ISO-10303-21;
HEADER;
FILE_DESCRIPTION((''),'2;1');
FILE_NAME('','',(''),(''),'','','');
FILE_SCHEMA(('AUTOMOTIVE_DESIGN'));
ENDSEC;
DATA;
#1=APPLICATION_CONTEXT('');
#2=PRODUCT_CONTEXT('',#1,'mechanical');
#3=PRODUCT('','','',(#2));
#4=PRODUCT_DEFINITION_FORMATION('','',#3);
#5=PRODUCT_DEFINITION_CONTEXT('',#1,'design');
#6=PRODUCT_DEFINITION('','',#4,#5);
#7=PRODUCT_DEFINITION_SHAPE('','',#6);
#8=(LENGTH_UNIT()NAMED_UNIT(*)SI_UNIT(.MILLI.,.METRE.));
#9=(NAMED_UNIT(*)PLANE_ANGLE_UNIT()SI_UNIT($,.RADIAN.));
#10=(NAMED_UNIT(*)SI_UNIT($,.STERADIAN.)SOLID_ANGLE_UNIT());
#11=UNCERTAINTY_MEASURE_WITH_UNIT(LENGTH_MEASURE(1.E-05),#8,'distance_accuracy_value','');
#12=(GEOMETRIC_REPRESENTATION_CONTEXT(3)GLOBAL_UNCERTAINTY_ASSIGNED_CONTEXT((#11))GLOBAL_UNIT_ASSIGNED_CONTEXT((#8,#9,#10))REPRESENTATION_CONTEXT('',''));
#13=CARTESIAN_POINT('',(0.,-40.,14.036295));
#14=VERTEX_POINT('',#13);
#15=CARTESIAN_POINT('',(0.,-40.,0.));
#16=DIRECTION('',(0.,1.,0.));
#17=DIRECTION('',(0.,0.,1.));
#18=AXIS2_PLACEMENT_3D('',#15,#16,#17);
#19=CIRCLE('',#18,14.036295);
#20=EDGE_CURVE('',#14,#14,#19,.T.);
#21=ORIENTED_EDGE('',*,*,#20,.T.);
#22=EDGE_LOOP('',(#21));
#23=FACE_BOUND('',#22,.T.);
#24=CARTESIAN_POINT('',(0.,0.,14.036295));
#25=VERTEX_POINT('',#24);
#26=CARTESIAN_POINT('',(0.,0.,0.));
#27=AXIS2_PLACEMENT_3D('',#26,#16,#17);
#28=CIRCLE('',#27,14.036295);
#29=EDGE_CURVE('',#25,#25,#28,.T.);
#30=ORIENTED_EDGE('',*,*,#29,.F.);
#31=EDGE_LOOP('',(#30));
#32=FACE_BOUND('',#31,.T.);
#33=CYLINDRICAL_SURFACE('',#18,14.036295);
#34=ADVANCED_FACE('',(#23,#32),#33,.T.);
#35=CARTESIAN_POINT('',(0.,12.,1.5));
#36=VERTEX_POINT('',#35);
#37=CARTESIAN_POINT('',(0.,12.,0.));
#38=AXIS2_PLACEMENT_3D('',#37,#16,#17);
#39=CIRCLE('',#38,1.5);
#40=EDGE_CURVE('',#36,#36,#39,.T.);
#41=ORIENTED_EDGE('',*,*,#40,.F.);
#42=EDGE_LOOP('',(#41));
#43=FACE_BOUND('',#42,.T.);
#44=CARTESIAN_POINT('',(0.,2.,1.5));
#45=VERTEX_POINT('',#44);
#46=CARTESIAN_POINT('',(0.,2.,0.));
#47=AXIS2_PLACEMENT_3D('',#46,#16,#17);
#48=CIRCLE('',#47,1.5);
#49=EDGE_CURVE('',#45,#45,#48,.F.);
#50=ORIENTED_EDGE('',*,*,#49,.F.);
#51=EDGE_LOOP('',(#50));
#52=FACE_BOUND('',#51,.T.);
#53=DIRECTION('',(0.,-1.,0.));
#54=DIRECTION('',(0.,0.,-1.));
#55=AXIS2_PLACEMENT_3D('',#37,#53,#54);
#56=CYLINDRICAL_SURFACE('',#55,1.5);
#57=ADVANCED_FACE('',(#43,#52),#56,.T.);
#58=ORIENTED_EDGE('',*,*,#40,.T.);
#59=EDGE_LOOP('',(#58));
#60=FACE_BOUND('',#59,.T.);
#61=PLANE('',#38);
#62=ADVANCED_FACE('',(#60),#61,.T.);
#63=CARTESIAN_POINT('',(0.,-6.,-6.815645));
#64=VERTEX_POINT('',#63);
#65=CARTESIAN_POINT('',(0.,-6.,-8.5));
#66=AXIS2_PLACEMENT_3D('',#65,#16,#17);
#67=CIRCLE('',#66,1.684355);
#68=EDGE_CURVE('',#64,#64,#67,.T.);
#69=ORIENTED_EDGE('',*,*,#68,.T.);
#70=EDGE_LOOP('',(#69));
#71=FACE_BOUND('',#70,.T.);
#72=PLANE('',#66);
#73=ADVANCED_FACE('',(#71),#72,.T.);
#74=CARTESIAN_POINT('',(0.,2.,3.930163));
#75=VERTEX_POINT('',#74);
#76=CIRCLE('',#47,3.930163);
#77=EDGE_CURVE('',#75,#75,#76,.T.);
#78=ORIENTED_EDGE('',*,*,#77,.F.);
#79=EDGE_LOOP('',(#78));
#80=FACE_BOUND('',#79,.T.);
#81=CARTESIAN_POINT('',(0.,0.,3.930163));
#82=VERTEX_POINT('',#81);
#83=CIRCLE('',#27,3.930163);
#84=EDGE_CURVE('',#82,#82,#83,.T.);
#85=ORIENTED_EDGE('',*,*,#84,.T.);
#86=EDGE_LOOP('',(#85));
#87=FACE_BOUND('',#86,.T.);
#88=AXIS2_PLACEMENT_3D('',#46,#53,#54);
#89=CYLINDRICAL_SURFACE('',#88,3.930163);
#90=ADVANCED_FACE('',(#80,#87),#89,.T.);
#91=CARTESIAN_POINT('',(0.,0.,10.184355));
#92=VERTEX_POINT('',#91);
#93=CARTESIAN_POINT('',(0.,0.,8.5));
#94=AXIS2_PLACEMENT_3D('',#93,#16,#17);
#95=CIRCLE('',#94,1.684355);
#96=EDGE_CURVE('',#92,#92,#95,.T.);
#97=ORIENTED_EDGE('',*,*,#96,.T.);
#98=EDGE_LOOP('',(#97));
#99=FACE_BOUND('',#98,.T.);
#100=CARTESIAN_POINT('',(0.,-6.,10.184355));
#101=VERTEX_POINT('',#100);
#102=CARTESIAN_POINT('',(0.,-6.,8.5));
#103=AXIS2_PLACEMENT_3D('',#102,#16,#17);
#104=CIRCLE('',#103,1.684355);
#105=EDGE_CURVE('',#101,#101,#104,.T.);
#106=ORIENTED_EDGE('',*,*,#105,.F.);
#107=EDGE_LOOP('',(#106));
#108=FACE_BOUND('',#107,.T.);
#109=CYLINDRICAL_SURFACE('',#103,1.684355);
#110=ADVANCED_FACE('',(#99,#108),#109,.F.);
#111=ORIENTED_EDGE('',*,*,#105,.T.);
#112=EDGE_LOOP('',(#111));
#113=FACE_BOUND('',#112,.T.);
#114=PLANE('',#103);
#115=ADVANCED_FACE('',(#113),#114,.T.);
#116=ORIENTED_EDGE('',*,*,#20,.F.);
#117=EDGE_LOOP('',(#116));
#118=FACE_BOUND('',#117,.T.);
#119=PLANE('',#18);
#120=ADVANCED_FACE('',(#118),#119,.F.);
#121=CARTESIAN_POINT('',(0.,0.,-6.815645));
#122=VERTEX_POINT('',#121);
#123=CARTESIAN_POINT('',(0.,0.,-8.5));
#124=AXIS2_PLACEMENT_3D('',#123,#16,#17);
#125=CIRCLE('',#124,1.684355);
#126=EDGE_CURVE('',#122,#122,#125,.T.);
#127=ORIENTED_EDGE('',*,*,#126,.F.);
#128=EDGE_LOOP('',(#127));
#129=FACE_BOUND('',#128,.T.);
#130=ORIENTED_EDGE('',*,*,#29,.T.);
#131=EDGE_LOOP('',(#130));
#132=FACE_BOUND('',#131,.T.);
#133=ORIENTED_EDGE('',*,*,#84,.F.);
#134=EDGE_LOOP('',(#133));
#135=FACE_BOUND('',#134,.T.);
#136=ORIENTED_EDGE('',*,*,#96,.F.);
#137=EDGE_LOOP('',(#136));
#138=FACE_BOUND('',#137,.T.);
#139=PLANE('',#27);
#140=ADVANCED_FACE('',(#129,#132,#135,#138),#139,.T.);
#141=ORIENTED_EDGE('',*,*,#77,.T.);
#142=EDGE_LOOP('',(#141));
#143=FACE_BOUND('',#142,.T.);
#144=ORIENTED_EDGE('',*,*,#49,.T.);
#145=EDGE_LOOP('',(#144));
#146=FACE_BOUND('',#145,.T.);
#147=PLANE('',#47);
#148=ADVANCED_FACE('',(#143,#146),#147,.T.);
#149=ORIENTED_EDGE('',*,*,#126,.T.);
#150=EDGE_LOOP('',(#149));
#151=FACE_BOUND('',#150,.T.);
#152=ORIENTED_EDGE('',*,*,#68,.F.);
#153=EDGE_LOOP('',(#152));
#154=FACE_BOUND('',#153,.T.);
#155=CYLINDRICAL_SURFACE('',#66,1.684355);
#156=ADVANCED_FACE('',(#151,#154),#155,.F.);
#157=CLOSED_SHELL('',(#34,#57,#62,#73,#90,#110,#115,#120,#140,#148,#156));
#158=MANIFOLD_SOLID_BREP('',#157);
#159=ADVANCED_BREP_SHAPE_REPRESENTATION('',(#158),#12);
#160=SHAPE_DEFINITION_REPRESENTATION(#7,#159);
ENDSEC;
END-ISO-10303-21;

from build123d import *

# Parameters (mm, degrees)
SKETCH_2_R          = 14.036295278
EXTRUDE_1_DEPTH     = 40
SKETCH_2_4_R        = 3.930162678
EXTRUDE_2_DEPTH     = 2
SKETCH_2_5_R        = 1.5
EXTRUDE_3_DEPTH     = 12
SKETCH_2_6_R        = 1.684355433
CUT_EXTRUDE_1_DEPTH = 6


with BuildPart() as part:
    # 草圖2 → 填料-伸長1 (new body)
    with BuildSketch(Plane(origin=(0, 0, 0), x_dir=(1, 0, 0), z_dir=(0, 1, 0))):
        Circle(SKETCH_2_R)
    extrude(amount=-EXTRUDE_1_DEPTH)

    # 草圖2<4> → 填料-伸長2 (add)
    with BuildSketch(Plane(origin=(0, 0, 0), x_dir=(1, 0, 0), z_dir=(0, 1, 0))):
        Circle(SKETCH_2_4_R)
    extrude(amount=EXTRUDE_2_DEPTH)

    # 草圖2<5> → 填料-伸長3 (add)
    with BuildSketch(Plane(origin=(0, 0, 0), x_dir=(1, 0, 0), z_dir=(0, 1, 0))):
        Circle(SKETCH_2_5_R)
    extrude(amount=EXTRUDE_3_DEPTH)

    # 草圖2<6> → 除料-伸長1 (cut)
    with BuildSketch(Plane(origin=(0, 0, 0), x_dir=(1, 0, 0), z_dir=(0, 1, 0))):
        with Locations((0, 8.5)):
            Circle(SKETCH_2_6_R)
        with Locations((0, -8.5)):
            Circle(SKETCH_2_6_R)
    extrude(amount=-CUT_EXTRUDE_1_DEPTH, mode=Mode.SUBTRACT)


solid = part.part
